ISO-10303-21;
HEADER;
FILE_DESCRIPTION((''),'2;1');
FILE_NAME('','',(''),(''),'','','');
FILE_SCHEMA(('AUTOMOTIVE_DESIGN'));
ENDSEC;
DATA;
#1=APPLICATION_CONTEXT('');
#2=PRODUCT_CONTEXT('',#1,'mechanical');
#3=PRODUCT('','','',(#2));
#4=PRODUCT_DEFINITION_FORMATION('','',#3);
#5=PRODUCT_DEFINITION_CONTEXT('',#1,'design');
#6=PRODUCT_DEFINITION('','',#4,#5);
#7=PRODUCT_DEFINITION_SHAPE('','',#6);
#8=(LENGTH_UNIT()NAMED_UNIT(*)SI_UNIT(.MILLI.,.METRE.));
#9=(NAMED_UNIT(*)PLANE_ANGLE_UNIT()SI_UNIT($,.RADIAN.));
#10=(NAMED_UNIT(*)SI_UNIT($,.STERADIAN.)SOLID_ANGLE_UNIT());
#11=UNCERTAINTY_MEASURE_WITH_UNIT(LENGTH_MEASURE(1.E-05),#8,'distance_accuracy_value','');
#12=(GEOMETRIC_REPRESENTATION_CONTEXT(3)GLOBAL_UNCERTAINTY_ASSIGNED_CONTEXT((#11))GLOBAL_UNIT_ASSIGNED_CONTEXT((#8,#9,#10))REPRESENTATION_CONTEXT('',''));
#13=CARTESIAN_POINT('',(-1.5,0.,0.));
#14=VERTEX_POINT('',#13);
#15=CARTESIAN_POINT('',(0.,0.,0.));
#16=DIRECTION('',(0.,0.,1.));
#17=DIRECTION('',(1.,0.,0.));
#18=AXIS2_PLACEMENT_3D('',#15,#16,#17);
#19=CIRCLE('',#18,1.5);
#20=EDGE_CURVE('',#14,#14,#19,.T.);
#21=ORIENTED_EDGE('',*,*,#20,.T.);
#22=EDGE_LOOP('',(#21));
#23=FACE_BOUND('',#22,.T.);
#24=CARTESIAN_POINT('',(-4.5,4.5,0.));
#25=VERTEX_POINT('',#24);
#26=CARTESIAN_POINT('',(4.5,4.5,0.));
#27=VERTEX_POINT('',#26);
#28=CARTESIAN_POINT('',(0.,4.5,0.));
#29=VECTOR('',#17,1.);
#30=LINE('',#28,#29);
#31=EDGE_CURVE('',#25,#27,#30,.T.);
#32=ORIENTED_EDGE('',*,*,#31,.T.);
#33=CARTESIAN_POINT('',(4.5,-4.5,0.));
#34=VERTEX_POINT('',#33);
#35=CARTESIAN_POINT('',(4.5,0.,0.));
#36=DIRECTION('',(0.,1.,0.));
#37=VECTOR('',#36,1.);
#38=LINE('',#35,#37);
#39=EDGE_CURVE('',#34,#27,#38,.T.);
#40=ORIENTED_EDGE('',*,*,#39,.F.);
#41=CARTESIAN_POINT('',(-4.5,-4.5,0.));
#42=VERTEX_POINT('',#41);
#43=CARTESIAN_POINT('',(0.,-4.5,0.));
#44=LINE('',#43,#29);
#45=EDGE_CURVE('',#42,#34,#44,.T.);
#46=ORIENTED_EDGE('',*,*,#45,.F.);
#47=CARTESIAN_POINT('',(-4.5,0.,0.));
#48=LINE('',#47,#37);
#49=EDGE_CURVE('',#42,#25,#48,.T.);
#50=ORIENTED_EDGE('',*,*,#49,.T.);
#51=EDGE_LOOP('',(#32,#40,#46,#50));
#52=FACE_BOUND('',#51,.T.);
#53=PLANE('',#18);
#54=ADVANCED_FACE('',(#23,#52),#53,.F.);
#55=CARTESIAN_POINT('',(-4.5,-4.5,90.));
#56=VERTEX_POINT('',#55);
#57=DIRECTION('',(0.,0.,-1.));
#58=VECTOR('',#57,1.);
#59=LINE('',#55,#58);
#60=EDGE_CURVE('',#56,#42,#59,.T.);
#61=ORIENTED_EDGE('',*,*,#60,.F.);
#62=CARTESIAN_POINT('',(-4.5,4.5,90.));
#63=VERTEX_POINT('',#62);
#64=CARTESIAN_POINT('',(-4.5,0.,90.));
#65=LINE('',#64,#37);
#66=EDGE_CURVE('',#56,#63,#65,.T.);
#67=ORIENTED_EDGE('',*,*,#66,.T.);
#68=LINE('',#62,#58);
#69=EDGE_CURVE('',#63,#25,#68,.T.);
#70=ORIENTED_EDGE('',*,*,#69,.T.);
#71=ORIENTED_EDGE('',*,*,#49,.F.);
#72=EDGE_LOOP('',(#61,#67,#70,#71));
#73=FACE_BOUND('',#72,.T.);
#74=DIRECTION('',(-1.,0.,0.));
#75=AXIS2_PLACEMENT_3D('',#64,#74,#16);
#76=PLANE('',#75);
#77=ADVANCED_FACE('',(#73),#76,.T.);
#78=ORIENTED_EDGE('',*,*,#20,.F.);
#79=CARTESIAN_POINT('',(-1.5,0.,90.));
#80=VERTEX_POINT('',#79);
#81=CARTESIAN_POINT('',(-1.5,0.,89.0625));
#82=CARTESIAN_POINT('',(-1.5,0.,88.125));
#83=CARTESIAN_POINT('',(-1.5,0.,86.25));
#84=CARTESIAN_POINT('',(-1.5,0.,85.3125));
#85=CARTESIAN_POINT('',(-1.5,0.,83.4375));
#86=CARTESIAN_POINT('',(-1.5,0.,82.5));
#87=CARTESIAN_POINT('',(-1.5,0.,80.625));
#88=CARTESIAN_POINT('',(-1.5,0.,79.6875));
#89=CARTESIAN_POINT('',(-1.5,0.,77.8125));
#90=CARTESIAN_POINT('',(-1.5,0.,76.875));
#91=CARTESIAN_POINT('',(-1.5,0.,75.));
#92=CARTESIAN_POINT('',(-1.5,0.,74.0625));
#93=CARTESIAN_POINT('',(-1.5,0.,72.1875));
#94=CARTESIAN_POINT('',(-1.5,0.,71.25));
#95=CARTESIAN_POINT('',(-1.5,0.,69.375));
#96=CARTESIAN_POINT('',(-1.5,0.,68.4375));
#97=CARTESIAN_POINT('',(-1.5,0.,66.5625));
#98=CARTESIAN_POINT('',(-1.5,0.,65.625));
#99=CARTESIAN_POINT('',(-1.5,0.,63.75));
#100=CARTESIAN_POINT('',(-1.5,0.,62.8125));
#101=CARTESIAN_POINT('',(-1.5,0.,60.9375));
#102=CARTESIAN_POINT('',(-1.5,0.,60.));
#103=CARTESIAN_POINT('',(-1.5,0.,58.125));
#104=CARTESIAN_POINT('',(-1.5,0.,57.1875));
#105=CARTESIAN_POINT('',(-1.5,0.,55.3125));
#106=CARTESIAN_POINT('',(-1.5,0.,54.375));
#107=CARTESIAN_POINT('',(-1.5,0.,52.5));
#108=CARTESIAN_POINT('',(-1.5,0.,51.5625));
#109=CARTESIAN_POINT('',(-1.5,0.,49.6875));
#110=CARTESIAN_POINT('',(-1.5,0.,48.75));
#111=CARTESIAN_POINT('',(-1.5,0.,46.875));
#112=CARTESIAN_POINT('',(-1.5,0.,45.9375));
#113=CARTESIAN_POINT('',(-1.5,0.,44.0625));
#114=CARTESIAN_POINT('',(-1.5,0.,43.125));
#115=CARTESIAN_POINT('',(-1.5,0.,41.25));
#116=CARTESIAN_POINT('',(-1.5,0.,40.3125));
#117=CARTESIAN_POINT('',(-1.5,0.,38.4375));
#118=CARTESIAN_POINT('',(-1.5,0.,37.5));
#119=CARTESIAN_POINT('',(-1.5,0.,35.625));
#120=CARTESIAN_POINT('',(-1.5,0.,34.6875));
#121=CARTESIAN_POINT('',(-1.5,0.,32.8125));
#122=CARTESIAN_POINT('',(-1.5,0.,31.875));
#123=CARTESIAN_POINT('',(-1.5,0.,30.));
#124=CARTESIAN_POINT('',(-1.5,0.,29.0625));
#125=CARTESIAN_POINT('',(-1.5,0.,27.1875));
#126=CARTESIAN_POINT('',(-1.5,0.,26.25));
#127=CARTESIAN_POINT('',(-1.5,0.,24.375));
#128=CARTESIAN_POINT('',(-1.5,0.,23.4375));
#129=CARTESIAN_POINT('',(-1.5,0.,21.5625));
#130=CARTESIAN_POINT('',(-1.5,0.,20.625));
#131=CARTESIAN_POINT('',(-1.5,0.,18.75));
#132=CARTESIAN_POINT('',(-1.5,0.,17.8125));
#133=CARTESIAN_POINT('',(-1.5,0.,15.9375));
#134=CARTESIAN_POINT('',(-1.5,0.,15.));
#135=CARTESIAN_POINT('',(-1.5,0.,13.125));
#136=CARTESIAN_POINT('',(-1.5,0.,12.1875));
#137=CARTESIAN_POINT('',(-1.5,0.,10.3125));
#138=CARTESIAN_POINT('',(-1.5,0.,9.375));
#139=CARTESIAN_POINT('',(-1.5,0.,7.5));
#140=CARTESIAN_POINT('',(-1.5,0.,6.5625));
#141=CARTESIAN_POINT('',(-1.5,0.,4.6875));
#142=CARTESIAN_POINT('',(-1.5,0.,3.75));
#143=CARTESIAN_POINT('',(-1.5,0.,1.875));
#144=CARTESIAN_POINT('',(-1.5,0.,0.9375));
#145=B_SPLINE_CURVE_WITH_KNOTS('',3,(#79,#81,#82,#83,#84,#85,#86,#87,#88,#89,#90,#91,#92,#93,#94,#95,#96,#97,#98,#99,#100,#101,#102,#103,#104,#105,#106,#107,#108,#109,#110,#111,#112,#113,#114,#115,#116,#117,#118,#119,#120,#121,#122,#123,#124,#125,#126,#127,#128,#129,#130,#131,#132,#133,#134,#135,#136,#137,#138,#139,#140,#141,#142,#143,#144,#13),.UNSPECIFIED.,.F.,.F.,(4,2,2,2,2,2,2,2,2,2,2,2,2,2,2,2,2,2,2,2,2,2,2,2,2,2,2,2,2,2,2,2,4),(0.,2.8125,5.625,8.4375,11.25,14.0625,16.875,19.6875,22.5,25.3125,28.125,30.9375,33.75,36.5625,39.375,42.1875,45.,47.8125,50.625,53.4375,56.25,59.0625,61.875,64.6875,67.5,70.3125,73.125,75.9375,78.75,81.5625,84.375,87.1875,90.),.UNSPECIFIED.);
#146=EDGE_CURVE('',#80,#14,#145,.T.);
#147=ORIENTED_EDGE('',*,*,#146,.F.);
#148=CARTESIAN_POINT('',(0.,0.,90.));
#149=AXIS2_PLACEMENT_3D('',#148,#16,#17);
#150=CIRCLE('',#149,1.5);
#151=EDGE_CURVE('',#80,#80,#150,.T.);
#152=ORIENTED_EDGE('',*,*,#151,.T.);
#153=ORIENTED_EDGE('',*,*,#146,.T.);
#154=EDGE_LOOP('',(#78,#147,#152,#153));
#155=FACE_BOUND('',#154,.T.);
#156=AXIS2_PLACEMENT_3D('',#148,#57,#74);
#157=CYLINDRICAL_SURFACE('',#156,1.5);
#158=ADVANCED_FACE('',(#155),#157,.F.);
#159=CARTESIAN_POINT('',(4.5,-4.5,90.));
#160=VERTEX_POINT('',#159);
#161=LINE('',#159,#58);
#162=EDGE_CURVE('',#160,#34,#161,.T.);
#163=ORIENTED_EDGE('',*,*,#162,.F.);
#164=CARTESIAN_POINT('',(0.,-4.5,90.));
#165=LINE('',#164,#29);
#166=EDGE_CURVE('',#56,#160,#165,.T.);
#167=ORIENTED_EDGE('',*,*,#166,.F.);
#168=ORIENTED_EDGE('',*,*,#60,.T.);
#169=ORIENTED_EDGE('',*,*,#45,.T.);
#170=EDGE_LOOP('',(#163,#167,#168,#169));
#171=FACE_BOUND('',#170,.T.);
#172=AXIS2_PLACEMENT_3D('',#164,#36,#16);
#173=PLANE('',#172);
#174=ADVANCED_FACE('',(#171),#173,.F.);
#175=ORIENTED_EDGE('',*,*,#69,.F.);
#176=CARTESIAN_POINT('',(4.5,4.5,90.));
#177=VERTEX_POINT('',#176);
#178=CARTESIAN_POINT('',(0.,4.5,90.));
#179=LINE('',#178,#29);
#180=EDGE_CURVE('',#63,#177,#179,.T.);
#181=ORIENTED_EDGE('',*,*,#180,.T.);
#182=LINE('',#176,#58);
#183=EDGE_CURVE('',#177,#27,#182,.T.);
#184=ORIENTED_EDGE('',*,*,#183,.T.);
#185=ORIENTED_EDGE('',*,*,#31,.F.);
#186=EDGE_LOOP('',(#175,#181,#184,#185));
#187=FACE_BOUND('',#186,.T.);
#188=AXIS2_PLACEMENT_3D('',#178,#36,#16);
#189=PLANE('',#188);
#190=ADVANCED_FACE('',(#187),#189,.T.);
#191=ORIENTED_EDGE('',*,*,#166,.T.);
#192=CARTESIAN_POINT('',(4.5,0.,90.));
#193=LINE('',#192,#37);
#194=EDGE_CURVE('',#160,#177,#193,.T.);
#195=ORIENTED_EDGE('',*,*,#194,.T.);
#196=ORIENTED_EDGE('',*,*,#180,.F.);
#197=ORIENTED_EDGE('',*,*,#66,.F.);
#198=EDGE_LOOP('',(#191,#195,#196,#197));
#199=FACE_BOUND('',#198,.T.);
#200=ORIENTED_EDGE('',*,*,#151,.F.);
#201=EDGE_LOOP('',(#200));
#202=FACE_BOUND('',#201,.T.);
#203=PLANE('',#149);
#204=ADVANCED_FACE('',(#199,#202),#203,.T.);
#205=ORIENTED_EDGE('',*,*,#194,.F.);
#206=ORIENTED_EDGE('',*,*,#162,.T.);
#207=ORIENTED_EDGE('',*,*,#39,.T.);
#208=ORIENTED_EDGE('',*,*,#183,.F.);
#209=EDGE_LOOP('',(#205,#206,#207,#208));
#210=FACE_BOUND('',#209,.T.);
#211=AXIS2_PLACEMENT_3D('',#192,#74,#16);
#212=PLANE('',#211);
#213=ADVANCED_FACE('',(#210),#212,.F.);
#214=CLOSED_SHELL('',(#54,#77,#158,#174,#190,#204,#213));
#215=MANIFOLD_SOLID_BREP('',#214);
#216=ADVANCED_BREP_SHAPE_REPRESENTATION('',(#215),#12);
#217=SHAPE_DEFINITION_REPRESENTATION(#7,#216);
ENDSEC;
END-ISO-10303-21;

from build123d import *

# Parameters (mm, degrees)
SKETCH1_W           = 9
SKETCH1_H           = 9
SKETCH1_W_2         = 3
SKETCH1_H_2         = 3
BOSS_EXTRUDE1_DEPTH = 90


with BuildPart() as part:
    # Sketch1 → Boss-Extrude1 (new body)
    # profile 1 of 5: a face of its own
    with BuildSketch(Plane.XY):
        Rectangle(SKETCH1_W, SKETCH1_H)
        Rectangle(SKETCH1_W_2, SKETCH1_H_2, mode=Mode.SUBTRACT)
    # profile 2 of 5: a face of its own
    with BuildSketch(Plane.XY):
        with BuildLine():
            Line((-1.5, 1.5), (-1.5, 0))
            ThreePointArc((-1.5, 0), (-1.060660172, 1.060660172), (0, 1.5))
            Line((0, 1.5), (-1.5, 1.5))
        make_face()
    # profile 3 of 5: a face of its own
    with BuildSketch(Plane.XY):
        with BuildLine():
            ThreePointArc((0, 1.5), (1.060660172, 1.060660172), (1.5, 0))
            Line((1.5, 0), (1.5, 1.5))
            Line((1.5, 1.5), (0, 1.5))
        make_face()
    # profile 4 of 5: a face of its own
    with BuildSketch(Plane.XY):
        with BuildLine():
            ThreePointArc((1.5, 0), (1.060660172, -1.060660172), (0, -1.5))
            Line((0, -1.5), (1.5, -1.5))
            Line((1.5, -1.5), (1.5, 0))
        make_face()
    # profile 5 of 5: a face of its own
    with BuildSketch(Plane.XY):
        with BuildLine():
            Line((-1.5, 0), (-1.5, -1.5))
            Line((-1.5, -1.5), (0, -1.5))
            ThreePointArc((0, -1.5), (-1.060660172, -1.060660172), (-1.5, 0))
        make_face()
    extrude(amount=BOSS_EXTRUDE1_DEPTH)


solid = part.part
